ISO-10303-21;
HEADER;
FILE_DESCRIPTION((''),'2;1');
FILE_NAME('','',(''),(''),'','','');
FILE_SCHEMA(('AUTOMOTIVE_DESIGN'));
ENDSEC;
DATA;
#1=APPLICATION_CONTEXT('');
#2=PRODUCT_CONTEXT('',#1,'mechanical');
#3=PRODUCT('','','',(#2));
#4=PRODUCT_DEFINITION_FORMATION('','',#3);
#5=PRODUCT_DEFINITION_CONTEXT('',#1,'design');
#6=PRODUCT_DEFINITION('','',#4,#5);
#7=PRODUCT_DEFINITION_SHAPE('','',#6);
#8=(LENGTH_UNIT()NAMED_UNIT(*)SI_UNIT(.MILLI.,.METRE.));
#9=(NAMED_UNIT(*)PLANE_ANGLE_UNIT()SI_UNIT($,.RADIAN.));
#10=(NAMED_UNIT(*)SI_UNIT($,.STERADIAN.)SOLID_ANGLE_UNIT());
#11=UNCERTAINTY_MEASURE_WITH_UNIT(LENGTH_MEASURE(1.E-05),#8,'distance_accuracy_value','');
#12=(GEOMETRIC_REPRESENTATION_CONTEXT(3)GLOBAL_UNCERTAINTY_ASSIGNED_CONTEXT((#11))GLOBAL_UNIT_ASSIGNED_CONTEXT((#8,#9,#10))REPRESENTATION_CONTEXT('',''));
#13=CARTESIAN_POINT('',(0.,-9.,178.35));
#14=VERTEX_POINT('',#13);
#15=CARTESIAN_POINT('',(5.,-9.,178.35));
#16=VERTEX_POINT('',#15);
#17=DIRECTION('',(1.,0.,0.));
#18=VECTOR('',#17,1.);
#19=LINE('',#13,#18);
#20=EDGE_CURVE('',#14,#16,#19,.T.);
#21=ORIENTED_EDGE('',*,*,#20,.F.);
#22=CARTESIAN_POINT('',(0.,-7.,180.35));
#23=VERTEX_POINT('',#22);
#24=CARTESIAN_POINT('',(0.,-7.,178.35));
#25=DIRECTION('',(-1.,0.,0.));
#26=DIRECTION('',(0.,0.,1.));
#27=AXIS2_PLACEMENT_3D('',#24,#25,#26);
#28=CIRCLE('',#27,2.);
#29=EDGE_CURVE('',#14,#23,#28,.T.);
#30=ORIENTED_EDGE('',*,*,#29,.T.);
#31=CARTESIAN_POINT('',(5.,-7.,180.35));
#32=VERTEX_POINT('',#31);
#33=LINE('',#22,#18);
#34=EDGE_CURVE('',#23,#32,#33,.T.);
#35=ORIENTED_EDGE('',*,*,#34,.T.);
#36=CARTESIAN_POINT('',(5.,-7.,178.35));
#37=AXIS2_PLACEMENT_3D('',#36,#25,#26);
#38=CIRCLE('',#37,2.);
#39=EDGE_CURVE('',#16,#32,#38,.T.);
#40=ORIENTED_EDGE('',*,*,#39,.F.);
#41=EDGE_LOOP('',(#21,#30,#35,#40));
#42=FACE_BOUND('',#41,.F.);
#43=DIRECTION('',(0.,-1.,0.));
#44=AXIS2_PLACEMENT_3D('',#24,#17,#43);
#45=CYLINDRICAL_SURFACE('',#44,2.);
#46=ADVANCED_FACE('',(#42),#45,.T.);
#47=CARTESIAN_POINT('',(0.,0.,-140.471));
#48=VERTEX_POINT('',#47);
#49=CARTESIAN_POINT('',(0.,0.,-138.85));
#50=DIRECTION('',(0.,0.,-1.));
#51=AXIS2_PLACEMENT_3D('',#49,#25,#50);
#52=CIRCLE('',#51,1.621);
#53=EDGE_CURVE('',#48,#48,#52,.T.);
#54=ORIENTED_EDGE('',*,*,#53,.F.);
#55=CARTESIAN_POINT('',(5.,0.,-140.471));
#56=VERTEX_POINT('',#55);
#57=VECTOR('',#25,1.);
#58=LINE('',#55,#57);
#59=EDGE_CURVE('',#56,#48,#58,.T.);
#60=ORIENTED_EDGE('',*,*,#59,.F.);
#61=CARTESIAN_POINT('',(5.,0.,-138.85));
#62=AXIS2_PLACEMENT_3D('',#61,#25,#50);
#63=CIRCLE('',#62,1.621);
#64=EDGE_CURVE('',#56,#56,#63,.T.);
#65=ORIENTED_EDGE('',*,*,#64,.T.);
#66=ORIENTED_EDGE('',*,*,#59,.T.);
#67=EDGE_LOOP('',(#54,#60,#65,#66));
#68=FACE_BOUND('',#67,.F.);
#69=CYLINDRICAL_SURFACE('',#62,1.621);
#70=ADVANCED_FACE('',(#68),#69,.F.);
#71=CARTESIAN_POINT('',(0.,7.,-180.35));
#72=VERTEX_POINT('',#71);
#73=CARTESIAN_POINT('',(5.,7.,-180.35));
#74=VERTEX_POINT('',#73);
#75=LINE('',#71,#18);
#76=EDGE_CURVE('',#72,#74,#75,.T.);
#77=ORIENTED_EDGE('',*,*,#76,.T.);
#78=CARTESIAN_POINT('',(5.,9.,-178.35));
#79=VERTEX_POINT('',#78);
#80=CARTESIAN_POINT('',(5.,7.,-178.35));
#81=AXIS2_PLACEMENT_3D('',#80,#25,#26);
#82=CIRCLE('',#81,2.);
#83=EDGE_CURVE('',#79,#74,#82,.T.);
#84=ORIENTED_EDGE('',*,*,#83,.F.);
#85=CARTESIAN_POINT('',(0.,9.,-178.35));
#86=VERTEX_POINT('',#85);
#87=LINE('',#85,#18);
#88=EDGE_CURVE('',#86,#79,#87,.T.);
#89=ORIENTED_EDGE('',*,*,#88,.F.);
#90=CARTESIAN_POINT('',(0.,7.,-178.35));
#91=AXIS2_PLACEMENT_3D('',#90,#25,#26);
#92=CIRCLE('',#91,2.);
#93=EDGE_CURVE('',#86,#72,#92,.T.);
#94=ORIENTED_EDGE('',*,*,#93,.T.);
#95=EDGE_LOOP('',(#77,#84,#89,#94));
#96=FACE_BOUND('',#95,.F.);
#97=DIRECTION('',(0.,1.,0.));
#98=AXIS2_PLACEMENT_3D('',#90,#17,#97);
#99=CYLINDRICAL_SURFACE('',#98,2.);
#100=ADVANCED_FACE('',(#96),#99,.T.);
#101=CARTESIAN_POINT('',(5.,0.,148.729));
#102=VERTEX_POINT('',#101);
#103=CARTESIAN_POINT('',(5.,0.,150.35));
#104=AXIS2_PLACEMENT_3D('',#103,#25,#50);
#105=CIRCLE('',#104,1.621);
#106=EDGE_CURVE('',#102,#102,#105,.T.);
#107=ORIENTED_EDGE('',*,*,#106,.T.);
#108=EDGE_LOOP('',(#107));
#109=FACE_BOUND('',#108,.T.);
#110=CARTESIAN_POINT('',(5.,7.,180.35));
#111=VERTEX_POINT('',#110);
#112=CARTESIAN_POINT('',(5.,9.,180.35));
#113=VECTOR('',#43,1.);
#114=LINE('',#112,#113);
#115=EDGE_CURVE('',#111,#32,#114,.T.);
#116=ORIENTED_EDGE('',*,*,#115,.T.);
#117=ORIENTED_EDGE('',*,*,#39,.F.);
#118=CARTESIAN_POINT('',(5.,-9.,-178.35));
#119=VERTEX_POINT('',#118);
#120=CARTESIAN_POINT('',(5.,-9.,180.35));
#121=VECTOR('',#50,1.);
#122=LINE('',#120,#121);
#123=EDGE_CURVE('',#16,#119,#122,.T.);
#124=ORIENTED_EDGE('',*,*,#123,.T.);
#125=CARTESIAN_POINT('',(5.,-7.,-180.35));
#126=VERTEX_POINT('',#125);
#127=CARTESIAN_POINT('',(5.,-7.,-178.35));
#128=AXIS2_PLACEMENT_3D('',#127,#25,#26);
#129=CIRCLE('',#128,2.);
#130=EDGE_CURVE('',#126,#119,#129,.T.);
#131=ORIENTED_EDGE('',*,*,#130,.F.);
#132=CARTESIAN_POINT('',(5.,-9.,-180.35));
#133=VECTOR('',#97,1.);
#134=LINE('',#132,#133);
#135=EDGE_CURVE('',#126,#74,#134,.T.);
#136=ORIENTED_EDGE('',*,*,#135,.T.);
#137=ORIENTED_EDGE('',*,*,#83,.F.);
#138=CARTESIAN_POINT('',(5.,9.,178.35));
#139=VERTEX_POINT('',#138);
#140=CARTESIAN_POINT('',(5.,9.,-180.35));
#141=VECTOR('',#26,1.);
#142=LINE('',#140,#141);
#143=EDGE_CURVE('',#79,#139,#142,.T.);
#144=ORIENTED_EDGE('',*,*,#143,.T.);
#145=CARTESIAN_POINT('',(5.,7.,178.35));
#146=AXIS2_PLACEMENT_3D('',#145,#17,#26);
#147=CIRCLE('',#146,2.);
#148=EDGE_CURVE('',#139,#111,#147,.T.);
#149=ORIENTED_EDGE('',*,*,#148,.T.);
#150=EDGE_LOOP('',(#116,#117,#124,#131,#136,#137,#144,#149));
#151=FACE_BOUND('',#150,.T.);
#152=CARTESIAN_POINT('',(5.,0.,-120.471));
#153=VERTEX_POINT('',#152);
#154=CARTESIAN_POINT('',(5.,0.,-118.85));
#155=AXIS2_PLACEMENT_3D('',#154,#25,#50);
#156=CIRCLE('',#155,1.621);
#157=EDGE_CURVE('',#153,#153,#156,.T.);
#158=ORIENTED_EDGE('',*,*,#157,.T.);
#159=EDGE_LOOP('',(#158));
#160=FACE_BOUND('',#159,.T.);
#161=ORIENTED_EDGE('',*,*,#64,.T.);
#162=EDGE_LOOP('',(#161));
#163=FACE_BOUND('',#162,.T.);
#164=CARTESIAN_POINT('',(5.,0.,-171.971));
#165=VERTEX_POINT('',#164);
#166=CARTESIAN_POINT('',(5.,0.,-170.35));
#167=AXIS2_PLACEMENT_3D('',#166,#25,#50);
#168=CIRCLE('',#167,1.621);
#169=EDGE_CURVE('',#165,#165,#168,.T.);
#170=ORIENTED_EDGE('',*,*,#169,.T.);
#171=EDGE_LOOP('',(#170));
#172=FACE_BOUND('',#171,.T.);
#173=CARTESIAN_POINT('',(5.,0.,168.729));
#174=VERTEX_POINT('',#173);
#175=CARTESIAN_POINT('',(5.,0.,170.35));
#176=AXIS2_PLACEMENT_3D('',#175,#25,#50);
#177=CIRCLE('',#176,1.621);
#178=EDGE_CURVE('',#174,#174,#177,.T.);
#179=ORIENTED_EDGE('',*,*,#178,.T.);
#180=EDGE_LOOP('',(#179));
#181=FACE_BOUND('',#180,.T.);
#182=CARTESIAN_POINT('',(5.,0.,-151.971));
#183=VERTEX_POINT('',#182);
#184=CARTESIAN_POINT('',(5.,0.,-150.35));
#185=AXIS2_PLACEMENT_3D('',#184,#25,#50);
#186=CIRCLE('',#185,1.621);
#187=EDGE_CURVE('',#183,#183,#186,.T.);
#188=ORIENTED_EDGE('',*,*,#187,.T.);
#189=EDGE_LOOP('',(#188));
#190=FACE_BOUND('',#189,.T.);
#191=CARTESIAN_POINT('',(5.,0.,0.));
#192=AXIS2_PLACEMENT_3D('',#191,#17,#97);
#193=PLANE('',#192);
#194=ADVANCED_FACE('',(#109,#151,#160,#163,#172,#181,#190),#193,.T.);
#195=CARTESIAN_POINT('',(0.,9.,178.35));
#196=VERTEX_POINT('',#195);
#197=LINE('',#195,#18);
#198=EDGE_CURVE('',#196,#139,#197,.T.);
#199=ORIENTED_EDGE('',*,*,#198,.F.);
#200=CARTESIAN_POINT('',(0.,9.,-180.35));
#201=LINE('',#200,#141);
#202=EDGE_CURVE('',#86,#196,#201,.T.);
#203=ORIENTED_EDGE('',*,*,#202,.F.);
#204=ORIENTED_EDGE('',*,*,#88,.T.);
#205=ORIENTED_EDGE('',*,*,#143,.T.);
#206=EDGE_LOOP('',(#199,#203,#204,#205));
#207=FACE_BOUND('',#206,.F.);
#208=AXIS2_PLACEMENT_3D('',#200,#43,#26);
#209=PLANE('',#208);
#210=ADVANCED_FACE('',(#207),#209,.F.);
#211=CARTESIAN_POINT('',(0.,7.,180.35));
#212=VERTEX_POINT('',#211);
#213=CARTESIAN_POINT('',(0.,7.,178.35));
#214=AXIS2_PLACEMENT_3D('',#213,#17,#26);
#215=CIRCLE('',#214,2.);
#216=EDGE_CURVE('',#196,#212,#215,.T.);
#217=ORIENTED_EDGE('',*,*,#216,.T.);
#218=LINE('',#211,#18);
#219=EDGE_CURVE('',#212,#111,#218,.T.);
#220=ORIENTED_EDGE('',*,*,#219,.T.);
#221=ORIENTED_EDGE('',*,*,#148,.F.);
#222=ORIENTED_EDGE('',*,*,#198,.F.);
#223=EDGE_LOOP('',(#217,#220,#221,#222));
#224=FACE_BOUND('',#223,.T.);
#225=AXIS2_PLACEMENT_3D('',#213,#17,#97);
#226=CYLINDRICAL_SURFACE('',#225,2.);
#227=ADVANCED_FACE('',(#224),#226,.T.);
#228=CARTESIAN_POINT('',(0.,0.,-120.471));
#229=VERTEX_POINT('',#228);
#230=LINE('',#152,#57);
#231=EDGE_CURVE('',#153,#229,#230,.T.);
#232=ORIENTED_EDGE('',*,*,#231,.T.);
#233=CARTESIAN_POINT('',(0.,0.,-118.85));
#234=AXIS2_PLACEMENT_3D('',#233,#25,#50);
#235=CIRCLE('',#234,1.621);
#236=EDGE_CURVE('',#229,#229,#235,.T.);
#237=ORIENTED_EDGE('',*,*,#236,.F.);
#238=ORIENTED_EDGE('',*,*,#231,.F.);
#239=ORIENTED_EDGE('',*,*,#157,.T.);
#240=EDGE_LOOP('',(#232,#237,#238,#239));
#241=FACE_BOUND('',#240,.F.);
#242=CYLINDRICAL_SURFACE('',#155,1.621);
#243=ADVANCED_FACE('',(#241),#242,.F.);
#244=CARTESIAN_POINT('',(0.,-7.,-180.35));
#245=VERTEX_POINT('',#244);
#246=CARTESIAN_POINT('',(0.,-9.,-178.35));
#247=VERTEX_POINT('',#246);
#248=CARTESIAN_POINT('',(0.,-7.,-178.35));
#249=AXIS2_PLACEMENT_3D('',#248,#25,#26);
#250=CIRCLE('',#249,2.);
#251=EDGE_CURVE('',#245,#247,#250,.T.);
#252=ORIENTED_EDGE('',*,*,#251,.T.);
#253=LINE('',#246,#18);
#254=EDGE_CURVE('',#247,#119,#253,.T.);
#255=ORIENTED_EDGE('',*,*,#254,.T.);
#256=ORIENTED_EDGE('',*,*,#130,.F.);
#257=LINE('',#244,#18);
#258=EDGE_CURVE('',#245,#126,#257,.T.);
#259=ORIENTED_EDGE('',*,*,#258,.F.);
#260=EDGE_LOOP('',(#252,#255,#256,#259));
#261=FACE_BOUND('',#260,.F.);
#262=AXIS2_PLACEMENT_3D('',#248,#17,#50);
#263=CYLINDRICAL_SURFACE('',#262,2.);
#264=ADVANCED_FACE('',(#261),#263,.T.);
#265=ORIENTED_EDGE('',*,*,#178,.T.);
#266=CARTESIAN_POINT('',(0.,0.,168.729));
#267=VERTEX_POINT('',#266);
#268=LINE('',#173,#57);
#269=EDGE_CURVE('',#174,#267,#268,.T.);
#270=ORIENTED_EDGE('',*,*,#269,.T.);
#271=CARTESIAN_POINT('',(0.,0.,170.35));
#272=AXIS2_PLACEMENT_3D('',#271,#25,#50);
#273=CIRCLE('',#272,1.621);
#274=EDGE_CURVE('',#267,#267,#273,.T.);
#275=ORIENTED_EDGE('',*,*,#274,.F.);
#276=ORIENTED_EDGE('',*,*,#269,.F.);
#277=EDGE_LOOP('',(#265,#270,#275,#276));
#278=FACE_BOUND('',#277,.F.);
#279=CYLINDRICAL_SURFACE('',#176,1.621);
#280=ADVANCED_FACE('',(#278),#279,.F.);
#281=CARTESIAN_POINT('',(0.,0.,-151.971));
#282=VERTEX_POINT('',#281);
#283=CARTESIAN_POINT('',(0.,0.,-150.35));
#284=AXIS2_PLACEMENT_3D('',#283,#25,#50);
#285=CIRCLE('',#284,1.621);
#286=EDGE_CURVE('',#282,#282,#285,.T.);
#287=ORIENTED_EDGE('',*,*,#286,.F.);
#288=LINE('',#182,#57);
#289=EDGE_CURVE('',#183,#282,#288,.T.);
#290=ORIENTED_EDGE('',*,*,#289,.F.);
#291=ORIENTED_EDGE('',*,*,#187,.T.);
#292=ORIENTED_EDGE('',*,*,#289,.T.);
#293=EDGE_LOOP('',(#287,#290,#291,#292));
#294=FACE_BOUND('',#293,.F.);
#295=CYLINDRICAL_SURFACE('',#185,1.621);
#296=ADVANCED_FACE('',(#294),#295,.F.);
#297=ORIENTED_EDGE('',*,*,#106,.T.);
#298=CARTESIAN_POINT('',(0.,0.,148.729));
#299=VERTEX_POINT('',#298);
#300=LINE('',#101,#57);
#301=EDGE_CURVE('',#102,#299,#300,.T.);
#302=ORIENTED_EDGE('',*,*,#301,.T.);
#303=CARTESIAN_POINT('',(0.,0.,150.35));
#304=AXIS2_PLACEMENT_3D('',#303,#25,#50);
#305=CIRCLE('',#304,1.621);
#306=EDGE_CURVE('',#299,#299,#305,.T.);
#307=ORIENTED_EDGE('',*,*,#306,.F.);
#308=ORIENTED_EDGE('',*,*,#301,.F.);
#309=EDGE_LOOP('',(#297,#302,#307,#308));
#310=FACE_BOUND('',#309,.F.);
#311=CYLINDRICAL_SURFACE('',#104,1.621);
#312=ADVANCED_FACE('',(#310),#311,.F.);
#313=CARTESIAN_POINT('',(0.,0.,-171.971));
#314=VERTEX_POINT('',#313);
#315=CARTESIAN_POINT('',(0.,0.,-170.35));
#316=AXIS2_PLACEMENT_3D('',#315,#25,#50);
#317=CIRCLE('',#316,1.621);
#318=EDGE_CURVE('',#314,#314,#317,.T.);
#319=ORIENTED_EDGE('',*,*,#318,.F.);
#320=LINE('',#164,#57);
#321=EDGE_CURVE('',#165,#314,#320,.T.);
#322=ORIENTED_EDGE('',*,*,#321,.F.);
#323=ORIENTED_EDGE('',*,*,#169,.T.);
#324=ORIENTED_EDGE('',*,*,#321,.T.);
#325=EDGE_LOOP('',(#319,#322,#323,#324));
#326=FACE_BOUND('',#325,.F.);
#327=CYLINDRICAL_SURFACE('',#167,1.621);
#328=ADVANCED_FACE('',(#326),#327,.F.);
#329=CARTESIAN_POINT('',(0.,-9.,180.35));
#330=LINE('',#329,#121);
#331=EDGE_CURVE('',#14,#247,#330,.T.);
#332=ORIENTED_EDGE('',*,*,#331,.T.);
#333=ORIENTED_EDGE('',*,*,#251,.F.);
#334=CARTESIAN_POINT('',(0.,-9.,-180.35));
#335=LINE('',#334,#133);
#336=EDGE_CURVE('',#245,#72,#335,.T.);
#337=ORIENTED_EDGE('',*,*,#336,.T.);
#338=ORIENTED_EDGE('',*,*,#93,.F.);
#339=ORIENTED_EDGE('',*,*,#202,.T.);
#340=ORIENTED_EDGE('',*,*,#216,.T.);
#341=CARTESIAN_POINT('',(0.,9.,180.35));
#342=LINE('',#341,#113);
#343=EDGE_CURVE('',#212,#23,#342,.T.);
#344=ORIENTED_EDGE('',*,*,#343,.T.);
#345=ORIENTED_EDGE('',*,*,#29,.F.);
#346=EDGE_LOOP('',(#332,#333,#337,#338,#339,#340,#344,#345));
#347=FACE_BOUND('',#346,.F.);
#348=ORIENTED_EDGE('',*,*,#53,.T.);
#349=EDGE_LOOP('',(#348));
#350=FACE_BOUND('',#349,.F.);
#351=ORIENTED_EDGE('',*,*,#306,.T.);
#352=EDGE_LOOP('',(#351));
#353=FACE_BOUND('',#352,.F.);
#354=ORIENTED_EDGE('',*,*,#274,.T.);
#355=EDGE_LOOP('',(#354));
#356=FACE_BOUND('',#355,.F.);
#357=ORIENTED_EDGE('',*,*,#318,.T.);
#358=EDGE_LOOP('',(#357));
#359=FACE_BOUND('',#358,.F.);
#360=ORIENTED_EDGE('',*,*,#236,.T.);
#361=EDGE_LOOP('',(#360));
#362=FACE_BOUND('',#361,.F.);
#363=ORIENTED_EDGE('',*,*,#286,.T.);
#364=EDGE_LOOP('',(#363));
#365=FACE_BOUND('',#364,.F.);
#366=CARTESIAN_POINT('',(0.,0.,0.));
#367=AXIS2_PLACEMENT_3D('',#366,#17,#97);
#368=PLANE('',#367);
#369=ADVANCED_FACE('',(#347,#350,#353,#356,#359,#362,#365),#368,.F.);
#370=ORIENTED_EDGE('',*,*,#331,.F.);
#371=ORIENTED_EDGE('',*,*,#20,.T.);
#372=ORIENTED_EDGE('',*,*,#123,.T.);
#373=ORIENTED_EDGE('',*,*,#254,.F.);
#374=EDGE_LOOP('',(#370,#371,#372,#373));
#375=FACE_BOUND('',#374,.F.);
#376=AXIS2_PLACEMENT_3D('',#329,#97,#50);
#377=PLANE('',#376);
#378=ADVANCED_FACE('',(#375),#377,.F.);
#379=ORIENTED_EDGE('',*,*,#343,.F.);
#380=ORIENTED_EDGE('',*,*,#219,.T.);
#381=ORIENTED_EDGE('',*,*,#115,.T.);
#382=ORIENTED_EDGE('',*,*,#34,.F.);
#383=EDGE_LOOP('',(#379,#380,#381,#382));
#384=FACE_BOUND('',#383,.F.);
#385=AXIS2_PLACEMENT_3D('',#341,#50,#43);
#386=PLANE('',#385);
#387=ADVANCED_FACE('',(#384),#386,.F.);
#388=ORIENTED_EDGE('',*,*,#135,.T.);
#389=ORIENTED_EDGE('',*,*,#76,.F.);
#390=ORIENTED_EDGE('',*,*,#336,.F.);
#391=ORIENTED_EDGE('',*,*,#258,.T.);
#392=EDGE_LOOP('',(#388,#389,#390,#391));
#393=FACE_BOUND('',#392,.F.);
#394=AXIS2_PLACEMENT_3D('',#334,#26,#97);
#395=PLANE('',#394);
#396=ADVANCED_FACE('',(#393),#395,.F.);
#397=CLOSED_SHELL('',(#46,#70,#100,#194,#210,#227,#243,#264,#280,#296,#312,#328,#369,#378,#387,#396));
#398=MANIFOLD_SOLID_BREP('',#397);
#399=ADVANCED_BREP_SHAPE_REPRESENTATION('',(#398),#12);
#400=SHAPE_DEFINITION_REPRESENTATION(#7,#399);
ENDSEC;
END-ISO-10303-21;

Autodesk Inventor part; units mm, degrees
ref_plane "YZ Plane" through (0, 0, 0) normal (1, 0, 0) x (0, 1, 0)
ref_plane "XZ Plane" through (0, 0, 0) normal (0, 1, 0) x (-1, 0, 0)
ref_plane "XY Plane" through (0, 0, 0) normal (0, 0, 1) x (1, 0, 0)
sketch "Skizze1" plane through (0, 0, 0) normal (1, 0, 0) x (0, 1, 0)
  line L0 (9, 180.35) -> (-9, 180.35)
  line L1 (-9, 180.35) -> (-9, -180.35)
  line L2 (-9, -180.35) -> (9, -180.35)
  line L3 (9, -180.35) -> (9, 180.35)
  point P0 (0, 0)
  point P1 (-9, 0)
  point P2 (0, -180.35)
  dimension "d0" = 360.7
  dimension "d1" = 18
extrude "Extrusion1" add sketch "Skizze1" along normal blind 5
fillet "Rundung1" radius 2 4 edges at (2.5, 9, 180.35) (2.5, -9, 180.35) (2.5, 9, -180.35) (2.5, -9, -180.35)
sketch "Skizze2" plane through (5, 0, 0) normal (1, 0, 0) x (0, 0, -1)
  line L0 (-180.35, 7) -> (-180.35, -7) projected
  line L1 (178.35, 9) -> (-178.35, 9) projected
  line L2 (148.85, 9) -> (148.85, -9) construction
  line L3 (-178.35, -9) -> (178.35, -9) projected
  line L4 (180.35, -7) -> (180.35, 7) projected
  point P0 (0, 0)
  point P1 (-170.35, 0)
  point P2 (-150.35, 0)
  point P3 (138.85, 0)
  point P4 (118.85, 0)
  point P5 (170.35, 0)
  point P6 (150.35, 0)
  dimension "d5" = 10
  dimension "d6" = 20
  dimension "d7" = 329.2
  dimension "d8" = 10
  dimension "d9" = 20
  dimension "d10" = 10
  dimension "d11" = 20
hole "Bohrung1" at (5, 0, -138.85) at (5, 0, -118.85) at (5, 0, -170.35) at (5, 0, -150.35) at (5, 0, 150.35) at (5, 0, 170.35) direction (-1, 0, 0) diameter 3.242 end through all thread size "M4x0.7" class "6H" standard "ISO Metric profile"
equation "\"d_tol\" = 0.3"
equation "\"d_wand\" = 1.5"
equation "\"b_rasp_pi\" = 56"
equation "\"w_kamera_hori\" = 66deg"
equation "\"l_rasp_pi\" = 85"
equation "\"w_kamera_vert\" = 41deg"
equation "\"r_rasp_pi\" = 3"
equation "\"D_oct\" = 3621.32034"
equation "\"D_hexadeca\" = 7541.00924"
equation "\"d_traeger\" = 625"
properties part number "Sstab"
